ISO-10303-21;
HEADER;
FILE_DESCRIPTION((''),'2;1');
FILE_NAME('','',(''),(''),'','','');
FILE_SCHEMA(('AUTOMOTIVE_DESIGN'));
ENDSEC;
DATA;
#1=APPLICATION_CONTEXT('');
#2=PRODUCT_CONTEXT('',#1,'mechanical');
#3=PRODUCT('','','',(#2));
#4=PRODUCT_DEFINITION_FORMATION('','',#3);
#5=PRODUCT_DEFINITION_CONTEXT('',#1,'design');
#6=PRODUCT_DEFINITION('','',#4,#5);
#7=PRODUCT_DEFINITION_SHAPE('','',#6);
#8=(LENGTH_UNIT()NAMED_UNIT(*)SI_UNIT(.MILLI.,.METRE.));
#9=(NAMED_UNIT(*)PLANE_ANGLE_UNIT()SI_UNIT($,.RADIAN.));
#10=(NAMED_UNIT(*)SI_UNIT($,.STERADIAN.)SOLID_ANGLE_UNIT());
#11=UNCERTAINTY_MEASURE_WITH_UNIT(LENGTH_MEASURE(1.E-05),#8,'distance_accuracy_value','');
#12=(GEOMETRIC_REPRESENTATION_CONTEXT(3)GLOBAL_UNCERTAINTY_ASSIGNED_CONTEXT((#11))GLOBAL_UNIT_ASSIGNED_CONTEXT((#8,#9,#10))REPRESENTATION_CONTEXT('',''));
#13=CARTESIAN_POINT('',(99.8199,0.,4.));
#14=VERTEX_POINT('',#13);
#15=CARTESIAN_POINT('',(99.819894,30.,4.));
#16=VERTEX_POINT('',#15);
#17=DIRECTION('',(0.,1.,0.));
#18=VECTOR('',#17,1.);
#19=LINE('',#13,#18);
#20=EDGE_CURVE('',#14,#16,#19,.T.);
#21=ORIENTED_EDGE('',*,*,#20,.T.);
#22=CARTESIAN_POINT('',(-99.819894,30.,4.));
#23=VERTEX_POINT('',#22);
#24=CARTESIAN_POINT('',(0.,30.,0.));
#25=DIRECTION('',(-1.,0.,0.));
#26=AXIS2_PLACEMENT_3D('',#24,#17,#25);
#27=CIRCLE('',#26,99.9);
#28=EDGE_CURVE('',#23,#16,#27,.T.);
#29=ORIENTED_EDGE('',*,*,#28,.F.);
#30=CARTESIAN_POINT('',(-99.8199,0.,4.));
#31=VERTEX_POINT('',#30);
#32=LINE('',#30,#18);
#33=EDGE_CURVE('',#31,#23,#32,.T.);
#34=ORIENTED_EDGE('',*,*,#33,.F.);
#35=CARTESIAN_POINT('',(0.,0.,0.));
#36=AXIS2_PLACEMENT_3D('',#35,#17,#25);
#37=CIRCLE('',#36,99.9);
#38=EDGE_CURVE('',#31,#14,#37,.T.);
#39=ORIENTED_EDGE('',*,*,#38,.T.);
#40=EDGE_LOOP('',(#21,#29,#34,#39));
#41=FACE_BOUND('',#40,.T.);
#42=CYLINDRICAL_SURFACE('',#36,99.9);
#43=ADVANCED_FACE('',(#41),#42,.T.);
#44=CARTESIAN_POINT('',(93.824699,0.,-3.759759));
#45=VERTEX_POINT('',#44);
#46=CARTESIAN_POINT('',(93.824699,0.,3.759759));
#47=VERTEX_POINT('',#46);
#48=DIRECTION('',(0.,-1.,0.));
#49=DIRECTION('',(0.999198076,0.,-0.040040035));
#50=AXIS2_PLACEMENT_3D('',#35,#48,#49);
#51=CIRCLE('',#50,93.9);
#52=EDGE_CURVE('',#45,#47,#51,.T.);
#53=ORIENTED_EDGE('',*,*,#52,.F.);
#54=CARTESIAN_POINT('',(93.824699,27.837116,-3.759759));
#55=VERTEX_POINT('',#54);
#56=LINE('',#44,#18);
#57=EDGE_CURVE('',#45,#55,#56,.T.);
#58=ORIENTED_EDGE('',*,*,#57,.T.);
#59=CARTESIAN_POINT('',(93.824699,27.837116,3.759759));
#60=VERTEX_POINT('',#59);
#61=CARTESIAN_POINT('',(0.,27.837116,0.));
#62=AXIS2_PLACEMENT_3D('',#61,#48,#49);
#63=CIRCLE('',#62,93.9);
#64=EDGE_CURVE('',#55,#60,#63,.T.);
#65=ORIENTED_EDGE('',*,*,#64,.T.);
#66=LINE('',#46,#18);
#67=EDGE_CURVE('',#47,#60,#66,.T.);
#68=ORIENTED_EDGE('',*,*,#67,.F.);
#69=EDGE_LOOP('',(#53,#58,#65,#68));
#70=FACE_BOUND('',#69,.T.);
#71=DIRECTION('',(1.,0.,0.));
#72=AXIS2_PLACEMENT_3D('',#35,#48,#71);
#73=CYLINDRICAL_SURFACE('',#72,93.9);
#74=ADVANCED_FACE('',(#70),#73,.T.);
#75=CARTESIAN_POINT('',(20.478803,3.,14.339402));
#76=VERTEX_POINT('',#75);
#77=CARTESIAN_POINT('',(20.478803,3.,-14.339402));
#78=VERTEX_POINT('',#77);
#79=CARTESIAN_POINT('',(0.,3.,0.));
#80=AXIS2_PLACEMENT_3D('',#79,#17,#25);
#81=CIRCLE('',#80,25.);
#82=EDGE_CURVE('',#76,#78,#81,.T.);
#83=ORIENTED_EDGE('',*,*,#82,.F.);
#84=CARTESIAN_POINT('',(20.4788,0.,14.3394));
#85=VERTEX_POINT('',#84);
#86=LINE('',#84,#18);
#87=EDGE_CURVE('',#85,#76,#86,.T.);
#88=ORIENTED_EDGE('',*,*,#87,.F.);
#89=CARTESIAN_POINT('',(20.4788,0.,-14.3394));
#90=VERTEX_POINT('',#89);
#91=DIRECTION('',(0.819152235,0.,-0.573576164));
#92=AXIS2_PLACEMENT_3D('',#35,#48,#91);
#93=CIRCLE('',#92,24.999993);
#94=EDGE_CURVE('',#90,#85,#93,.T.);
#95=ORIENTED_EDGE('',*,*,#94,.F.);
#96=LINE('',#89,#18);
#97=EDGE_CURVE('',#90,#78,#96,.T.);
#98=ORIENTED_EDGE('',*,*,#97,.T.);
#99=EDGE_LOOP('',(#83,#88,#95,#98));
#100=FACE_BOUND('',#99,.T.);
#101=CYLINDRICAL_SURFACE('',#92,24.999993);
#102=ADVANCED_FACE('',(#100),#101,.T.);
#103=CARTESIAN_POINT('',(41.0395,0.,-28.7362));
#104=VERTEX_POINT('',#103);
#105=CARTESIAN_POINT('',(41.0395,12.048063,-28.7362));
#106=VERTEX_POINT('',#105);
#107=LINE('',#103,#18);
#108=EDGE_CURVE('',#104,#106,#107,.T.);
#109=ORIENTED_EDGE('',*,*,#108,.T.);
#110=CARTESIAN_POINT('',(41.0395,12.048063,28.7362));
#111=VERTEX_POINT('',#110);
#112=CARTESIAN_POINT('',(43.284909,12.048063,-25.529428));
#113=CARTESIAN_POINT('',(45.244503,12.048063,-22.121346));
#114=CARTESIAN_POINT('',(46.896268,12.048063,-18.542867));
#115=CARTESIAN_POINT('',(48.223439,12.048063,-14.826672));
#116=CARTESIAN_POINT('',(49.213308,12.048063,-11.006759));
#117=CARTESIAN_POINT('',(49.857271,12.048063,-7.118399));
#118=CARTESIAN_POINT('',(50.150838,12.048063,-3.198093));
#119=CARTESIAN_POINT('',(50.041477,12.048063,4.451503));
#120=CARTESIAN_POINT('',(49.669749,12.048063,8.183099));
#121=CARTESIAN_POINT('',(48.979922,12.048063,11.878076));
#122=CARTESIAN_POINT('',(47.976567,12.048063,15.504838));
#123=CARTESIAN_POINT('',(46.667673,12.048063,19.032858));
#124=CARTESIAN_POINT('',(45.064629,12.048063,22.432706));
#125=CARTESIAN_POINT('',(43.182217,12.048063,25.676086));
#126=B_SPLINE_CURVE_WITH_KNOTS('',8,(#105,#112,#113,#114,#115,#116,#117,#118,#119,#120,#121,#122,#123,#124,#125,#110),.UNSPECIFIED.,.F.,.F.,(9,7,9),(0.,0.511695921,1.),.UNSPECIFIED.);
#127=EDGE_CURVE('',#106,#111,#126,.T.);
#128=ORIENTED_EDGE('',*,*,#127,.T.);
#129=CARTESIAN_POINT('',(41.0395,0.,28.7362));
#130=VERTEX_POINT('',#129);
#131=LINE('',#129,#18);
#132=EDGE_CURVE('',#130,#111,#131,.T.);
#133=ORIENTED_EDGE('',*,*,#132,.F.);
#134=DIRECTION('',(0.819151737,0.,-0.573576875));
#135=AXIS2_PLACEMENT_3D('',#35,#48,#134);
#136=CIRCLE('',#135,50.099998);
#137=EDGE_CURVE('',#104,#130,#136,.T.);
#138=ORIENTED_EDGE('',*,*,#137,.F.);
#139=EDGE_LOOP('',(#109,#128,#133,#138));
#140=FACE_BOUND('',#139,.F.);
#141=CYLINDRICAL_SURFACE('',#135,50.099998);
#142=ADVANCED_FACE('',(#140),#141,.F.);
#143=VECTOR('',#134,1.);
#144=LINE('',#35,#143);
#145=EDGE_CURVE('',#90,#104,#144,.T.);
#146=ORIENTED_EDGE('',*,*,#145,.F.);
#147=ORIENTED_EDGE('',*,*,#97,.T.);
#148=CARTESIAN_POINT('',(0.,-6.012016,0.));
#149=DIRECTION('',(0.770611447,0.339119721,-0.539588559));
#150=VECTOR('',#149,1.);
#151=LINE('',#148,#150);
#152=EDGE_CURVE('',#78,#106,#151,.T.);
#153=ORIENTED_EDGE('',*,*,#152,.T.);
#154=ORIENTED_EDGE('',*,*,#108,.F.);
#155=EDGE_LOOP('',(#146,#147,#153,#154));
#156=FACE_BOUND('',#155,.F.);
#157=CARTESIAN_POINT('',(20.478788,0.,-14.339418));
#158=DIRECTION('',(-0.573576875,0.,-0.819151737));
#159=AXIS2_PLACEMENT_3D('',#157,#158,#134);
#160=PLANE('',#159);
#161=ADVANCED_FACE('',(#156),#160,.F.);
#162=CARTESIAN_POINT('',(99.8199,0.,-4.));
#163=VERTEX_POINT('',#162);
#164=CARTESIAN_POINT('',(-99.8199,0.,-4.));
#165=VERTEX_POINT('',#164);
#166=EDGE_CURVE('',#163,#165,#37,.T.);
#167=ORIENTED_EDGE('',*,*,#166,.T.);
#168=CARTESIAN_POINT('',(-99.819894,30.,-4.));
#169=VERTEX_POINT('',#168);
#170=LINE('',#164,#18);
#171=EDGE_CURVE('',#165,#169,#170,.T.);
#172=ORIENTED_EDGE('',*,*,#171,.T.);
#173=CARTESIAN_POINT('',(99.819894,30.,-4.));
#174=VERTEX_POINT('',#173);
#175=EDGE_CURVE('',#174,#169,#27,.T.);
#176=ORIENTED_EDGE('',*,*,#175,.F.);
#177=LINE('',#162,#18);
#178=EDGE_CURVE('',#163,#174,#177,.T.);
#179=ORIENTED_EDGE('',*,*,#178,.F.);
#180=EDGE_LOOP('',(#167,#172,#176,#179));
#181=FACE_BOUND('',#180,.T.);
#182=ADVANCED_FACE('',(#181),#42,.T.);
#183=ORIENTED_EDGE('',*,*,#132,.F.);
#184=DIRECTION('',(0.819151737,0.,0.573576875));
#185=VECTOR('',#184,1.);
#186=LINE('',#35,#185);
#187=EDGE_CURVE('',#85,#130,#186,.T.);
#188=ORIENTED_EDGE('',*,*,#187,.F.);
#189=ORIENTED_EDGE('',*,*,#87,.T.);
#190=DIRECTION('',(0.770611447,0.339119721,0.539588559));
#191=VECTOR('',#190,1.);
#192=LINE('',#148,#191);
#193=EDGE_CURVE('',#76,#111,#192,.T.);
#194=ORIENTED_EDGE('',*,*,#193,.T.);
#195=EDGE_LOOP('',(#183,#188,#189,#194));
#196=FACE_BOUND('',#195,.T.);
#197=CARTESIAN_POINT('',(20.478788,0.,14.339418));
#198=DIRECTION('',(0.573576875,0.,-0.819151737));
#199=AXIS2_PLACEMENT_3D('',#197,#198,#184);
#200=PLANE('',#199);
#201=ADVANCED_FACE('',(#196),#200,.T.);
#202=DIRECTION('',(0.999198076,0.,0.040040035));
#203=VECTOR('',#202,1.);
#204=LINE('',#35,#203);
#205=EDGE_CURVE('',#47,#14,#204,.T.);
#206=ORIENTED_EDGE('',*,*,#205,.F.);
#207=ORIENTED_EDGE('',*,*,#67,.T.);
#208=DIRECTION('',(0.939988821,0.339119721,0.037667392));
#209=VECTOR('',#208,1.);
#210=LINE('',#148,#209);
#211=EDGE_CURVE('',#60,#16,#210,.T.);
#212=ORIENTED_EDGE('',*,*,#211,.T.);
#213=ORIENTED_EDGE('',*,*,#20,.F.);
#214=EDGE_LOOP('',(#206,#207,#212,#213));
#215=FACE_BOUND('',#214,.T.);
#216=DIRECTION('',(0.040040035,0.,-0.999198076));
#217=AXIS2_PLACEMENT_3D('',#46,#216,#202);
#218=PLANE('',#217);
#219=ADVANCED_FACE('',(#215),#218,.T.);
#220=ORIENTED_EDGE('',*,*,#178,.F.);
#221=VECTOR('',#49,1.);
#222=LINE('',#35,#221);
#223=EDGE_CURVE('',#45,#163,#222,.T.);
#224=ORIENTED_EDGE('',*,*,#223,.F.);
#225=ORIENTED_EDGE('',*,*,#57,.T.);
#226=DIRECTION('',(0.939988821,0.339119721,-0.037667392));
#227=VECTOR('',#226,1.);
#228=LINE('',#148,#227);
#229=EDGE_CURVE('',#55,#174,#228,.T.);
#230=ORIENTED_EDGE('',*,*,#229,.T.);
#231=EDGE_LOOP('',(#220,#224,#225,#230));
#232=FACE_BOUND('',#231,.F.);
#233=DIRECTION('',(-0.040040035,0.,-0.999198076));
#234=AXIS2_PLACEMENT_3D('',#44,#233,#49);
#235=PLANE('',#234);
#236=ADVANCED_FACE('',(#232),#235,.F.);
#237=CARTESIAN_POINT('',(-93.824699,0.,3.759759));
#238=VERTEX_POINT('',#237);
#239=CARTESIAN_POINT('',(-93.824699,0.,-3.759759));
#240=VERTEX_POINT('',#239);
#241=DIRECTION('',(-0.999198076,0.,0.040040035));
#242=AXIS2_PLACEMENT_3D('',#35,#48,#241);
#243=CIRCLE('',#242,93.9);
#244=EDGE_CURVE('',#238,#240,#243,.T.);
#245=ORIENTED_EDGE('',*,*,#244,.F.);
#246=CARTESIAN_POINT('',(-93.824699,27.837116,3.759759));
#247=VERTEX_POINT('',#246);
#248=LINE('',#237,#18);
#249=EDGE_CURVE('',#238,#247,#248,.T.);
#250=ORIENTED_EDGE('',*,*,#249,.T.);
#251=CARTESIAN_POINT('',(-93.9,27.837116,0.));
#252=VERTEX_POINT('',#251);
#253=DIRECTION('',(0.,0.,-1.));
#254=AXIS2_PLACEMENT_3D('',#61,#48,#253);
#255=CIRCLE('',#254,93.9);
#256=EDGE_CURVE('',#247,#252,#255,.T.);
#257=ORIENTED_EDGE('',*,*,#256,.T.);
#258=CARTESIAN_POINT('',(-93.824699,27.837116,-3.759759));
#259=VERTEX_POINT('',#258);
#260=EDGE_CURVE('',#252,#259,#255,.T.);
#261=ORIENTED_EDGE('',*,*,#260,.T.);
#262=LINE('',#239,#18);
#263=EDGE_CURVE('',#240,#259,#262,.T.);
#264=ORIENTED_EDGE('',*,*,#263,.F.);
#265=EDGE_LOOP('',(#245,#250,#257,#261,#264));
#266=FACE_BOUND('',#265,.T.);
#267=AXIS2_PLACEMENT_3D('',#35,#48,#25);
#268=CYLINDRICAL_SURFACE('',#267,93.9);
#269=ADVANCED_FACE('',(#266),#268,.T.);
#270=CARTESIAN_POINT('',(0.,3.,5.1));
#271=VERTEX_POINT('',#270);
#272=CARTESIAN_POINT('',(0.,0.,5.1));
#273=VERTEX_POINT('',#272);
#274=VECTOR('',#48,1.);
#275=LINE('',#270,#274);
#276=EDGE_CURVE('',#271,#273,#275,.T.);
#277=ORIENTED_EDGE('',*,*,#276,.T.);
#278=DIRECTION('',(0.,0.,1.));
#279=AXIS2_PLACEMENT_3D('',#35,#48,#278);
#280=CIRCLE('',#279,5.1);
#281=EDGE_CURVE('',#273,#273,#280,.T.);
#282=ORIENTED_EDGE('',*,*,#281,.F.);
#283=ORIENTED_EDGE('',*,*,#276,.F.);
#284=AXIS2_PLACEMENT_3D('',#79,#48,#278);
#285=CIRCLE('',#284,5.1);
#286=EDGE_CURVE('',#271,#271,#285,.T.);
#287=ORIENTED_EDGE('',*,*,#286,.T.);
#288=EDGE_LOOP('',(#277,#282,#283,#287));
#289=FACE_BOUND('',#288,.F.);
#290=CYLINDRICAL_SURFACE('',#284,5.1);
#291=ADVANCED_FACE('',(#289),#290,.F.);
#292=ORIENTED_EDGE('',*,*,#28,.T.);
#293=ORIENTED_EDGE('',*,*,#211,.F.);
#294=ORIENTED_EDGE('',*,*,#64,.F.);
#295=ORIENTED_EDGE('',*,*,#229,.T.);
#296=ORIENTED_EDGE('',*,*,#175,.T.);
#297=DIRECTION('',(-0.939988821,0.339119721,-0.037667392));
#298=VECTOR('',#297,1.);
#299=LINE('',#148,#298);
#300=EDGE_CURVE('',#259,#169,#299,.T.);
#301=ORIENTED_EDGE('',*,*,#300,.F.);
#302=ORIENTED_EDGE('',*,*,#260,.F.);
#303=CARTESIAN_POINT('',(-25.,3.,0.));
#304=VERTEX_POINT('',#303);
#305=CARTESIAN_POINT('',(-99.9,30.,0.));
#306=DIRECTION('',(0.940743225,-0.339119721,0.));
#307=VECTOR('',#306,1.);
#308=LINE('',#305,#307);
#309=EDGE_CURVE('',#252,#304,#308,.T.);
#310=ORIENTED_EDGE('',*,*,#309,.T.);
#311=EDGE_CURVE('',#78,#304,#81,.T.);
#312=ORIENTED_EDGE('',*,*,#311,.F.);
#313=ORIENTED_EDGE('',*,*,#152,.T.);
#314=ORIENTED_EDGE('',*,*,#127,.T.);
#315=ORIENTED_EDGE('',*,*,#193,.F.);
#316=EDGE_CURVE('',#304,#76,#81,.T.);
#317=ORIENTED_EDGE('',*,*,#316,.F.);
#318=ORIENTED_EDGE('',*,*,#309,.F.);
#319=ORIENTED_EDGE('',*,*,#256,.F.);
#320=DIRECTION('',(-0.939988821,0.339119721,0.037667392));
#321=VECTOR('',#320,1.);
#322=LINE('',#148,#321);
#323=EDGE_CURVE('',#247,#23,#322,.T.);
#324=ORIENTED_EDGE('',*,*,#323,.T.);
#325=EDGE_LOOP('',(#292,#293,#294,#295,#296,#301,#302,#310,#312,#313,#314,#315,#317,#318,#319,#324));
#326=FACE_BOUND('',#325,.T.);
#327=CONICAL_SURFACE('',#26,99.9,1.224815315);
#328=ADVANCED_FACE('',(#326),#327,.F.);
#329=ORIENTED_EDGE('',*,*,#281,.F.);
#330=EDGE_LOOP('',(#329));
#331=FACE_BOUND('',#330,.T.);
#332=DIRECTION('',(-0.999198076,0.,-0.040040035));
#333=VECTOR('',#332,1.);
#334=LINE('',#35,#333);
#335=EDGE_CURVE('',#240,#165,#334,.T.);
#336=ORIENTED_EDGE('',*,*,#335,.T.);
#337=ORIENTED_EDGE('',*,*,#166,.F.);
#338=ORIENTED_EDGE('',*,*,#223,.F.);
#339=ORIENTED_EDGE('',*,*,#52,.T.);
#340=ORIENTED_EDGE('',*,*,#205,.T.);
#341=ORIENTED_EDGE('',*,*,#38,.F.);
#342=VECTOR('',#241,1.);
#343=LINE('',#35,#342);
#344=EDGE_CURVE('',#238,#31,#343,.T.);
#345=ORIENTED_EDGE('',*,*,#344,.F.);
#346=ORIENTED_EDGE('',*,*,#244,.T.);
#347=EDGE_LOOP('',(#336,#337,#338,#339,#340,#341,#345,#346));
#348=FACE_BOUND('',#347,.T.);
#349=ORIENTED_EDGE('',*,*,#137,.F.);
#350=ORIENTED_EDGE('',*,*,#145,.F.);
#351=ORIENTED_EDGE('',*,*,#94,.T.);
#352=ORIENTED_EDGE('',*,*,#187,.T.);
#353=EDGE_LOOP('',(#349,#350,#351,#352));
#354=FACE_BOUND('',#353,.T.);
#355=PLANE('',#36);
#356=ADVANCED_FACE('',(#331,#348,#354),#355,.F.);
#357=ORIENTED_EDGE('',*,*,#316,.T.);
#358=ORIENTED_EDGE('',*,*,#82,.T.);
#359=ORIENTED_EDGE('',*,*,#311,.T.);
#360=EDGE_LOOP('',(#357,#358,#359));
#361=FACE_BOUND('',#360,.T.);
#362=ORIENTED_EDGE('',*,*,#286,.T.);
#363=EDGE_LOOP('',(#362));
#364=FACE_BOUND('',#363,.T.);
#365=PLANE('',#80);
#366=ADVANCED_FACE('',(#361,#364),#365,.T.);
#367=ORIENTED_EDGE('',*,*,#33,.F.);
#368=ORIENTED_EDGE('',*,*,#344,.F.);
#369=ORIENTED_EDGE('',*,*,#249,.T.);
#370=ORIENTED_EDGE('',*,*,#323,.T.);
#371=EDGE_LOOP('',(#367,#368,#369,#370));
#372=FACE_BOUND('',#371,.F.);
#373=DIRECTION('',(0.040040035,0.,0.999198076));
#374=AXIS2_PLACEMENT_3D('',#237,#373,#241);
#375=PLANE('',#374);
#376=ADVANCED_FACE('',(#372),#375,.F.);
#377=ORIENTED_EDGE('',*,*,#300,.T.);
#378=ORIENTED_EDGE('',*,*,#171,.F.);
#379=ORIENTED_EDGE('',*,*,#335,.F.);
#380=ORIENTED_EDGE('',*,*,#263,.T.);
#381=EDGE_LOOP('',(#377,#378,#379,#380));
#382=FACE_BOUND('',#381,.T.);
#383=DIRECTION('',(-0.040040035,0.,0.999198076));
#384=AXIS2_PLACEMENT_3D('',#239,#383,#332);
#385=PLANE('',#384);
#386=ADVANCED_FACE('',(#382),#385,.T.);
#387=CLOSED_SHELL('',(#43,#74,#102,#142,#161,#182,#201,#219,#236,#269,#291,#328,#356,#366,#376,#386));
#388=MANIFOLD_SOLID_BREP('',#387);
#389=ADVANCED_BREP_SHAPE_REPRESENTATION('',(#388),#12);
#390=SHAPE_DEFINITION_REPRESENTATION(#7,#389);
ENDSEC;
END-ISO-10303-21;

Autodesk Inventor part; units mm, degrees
ref_plane "YZ Plane" through (0, 0, 0) normal (1, 0, 0) x (0, 1, 0)
ref_plane "XZ Plane" through (0, 0, 0) normal (0, 1, 0) x (-1, 0, 0)
ref_plane "XY Plane" through (0, 0, 0) normal (0, 0, 1) x (1, 0, 0)
sketch "Sketch2" plane through (0, 0, 0) normal (0, 0, 1) x (1, 0, 0)
  line L0 (-50, 0) -> (-99.9, 0)
  line L1 (-99.9, 0) -> (-99.9, 30)
  line L2 (0, 0) -> (0, 50.0549)
  line L3 (-99.9, 30) -> (-25, 3)
  line L4 (-50, 0) -> (0, 0)
  line L5 (-25, 3) -> (0, 3)
  line L6 (0, 3) -> (0, 0)
  point P0 (-99.9, 15)
  dimension "d2" = 30
  dimension "d6" = 199.8
  dimension "d15" = 50
  dimension "d16" = 3
revolve "Revolution1" add sketch "Sketch2" angle 360 about axis through (0, 0, 0) along (0, 1, 0)
sketch "Sketch3" plane through (0, 0, 0) normal (0, -1, 0) x (1, 0, 0)
  circle A0 centre (0, 0) radius 99.9 projected
  line L0 (0, 0) -> (99.8199, 4)
  line L1 (0, 0) -> (99.8199, -4)
  line L2 (0, 0) -> (99.9, 0) construction
  line L3 (11.4718, 0) -> (11.4718, -0.4597) construction
  line L4 (11.4718, 0) -> (11.4718, 0.4597) construction
  circle A1 centre (0, 0) radius 93.9
  point P0 (93.8247, 3.7598)
  point P1 (93.8247, -3.7598)
  dimension "d8" = 8
  dimension "d9" = 6
extrude "Extrusion1" cut sketch "Sketch3" against normal through all contours A0 L1 A1 L0 picked at (97.8363, 3.4756)
pattern_circular "Circular Pattern1" count 2 over 360 about axis through (0, 16.5, 0) along (0, 1, 0) of "Extrusion1"
sketch "Sketch5" plane through (0, 3, 0) normal (0, 1, 0) x (1, 0, 0)
  point P0 (0, 0)
  point P1 (0, 0)
hole "Hole1" at (0, 3, 0) direction (0, -1, 0) diameter 10.2 end through all
sketch "Sketch6" plane through (0, 0, 0) normal (0, -1, 0) x (1, 0, 0)
  line L0 (0, 0) -> (93.9, 0) construction
  arc A0 (93.8247, -3.7598) -> (93.8247, 3.7598) centre (0, 0) ccw projected
  arc A1 (41.0395, -28.7362) -> (41.0395, 28.7362) centre (0, 0) ccw
  line L1 (0, 0) -> (41.0395, 28.7362)
  line L2 (0, 0) -> (41.0395, -28.7362)
  line L3 (16.9605, 0) -> (16.9605, 11.8759) construction
  line L4 (16.9605, 0) -> (16.9605, -11.8759) construction
  arc A2 (20.4788, -14.3394) -> (20.4788, 14.3394) centre (0, 0) ccw
  point P0 (25, 0)
  dimension "d30" = 50.1
  dimension "d31" = 70
  dimension "d32" = 25
extrude "Extrusion3" cut sketch "Sketch6" against normal through all contours L2 A2 L1 A1
properties part number "feeder"
